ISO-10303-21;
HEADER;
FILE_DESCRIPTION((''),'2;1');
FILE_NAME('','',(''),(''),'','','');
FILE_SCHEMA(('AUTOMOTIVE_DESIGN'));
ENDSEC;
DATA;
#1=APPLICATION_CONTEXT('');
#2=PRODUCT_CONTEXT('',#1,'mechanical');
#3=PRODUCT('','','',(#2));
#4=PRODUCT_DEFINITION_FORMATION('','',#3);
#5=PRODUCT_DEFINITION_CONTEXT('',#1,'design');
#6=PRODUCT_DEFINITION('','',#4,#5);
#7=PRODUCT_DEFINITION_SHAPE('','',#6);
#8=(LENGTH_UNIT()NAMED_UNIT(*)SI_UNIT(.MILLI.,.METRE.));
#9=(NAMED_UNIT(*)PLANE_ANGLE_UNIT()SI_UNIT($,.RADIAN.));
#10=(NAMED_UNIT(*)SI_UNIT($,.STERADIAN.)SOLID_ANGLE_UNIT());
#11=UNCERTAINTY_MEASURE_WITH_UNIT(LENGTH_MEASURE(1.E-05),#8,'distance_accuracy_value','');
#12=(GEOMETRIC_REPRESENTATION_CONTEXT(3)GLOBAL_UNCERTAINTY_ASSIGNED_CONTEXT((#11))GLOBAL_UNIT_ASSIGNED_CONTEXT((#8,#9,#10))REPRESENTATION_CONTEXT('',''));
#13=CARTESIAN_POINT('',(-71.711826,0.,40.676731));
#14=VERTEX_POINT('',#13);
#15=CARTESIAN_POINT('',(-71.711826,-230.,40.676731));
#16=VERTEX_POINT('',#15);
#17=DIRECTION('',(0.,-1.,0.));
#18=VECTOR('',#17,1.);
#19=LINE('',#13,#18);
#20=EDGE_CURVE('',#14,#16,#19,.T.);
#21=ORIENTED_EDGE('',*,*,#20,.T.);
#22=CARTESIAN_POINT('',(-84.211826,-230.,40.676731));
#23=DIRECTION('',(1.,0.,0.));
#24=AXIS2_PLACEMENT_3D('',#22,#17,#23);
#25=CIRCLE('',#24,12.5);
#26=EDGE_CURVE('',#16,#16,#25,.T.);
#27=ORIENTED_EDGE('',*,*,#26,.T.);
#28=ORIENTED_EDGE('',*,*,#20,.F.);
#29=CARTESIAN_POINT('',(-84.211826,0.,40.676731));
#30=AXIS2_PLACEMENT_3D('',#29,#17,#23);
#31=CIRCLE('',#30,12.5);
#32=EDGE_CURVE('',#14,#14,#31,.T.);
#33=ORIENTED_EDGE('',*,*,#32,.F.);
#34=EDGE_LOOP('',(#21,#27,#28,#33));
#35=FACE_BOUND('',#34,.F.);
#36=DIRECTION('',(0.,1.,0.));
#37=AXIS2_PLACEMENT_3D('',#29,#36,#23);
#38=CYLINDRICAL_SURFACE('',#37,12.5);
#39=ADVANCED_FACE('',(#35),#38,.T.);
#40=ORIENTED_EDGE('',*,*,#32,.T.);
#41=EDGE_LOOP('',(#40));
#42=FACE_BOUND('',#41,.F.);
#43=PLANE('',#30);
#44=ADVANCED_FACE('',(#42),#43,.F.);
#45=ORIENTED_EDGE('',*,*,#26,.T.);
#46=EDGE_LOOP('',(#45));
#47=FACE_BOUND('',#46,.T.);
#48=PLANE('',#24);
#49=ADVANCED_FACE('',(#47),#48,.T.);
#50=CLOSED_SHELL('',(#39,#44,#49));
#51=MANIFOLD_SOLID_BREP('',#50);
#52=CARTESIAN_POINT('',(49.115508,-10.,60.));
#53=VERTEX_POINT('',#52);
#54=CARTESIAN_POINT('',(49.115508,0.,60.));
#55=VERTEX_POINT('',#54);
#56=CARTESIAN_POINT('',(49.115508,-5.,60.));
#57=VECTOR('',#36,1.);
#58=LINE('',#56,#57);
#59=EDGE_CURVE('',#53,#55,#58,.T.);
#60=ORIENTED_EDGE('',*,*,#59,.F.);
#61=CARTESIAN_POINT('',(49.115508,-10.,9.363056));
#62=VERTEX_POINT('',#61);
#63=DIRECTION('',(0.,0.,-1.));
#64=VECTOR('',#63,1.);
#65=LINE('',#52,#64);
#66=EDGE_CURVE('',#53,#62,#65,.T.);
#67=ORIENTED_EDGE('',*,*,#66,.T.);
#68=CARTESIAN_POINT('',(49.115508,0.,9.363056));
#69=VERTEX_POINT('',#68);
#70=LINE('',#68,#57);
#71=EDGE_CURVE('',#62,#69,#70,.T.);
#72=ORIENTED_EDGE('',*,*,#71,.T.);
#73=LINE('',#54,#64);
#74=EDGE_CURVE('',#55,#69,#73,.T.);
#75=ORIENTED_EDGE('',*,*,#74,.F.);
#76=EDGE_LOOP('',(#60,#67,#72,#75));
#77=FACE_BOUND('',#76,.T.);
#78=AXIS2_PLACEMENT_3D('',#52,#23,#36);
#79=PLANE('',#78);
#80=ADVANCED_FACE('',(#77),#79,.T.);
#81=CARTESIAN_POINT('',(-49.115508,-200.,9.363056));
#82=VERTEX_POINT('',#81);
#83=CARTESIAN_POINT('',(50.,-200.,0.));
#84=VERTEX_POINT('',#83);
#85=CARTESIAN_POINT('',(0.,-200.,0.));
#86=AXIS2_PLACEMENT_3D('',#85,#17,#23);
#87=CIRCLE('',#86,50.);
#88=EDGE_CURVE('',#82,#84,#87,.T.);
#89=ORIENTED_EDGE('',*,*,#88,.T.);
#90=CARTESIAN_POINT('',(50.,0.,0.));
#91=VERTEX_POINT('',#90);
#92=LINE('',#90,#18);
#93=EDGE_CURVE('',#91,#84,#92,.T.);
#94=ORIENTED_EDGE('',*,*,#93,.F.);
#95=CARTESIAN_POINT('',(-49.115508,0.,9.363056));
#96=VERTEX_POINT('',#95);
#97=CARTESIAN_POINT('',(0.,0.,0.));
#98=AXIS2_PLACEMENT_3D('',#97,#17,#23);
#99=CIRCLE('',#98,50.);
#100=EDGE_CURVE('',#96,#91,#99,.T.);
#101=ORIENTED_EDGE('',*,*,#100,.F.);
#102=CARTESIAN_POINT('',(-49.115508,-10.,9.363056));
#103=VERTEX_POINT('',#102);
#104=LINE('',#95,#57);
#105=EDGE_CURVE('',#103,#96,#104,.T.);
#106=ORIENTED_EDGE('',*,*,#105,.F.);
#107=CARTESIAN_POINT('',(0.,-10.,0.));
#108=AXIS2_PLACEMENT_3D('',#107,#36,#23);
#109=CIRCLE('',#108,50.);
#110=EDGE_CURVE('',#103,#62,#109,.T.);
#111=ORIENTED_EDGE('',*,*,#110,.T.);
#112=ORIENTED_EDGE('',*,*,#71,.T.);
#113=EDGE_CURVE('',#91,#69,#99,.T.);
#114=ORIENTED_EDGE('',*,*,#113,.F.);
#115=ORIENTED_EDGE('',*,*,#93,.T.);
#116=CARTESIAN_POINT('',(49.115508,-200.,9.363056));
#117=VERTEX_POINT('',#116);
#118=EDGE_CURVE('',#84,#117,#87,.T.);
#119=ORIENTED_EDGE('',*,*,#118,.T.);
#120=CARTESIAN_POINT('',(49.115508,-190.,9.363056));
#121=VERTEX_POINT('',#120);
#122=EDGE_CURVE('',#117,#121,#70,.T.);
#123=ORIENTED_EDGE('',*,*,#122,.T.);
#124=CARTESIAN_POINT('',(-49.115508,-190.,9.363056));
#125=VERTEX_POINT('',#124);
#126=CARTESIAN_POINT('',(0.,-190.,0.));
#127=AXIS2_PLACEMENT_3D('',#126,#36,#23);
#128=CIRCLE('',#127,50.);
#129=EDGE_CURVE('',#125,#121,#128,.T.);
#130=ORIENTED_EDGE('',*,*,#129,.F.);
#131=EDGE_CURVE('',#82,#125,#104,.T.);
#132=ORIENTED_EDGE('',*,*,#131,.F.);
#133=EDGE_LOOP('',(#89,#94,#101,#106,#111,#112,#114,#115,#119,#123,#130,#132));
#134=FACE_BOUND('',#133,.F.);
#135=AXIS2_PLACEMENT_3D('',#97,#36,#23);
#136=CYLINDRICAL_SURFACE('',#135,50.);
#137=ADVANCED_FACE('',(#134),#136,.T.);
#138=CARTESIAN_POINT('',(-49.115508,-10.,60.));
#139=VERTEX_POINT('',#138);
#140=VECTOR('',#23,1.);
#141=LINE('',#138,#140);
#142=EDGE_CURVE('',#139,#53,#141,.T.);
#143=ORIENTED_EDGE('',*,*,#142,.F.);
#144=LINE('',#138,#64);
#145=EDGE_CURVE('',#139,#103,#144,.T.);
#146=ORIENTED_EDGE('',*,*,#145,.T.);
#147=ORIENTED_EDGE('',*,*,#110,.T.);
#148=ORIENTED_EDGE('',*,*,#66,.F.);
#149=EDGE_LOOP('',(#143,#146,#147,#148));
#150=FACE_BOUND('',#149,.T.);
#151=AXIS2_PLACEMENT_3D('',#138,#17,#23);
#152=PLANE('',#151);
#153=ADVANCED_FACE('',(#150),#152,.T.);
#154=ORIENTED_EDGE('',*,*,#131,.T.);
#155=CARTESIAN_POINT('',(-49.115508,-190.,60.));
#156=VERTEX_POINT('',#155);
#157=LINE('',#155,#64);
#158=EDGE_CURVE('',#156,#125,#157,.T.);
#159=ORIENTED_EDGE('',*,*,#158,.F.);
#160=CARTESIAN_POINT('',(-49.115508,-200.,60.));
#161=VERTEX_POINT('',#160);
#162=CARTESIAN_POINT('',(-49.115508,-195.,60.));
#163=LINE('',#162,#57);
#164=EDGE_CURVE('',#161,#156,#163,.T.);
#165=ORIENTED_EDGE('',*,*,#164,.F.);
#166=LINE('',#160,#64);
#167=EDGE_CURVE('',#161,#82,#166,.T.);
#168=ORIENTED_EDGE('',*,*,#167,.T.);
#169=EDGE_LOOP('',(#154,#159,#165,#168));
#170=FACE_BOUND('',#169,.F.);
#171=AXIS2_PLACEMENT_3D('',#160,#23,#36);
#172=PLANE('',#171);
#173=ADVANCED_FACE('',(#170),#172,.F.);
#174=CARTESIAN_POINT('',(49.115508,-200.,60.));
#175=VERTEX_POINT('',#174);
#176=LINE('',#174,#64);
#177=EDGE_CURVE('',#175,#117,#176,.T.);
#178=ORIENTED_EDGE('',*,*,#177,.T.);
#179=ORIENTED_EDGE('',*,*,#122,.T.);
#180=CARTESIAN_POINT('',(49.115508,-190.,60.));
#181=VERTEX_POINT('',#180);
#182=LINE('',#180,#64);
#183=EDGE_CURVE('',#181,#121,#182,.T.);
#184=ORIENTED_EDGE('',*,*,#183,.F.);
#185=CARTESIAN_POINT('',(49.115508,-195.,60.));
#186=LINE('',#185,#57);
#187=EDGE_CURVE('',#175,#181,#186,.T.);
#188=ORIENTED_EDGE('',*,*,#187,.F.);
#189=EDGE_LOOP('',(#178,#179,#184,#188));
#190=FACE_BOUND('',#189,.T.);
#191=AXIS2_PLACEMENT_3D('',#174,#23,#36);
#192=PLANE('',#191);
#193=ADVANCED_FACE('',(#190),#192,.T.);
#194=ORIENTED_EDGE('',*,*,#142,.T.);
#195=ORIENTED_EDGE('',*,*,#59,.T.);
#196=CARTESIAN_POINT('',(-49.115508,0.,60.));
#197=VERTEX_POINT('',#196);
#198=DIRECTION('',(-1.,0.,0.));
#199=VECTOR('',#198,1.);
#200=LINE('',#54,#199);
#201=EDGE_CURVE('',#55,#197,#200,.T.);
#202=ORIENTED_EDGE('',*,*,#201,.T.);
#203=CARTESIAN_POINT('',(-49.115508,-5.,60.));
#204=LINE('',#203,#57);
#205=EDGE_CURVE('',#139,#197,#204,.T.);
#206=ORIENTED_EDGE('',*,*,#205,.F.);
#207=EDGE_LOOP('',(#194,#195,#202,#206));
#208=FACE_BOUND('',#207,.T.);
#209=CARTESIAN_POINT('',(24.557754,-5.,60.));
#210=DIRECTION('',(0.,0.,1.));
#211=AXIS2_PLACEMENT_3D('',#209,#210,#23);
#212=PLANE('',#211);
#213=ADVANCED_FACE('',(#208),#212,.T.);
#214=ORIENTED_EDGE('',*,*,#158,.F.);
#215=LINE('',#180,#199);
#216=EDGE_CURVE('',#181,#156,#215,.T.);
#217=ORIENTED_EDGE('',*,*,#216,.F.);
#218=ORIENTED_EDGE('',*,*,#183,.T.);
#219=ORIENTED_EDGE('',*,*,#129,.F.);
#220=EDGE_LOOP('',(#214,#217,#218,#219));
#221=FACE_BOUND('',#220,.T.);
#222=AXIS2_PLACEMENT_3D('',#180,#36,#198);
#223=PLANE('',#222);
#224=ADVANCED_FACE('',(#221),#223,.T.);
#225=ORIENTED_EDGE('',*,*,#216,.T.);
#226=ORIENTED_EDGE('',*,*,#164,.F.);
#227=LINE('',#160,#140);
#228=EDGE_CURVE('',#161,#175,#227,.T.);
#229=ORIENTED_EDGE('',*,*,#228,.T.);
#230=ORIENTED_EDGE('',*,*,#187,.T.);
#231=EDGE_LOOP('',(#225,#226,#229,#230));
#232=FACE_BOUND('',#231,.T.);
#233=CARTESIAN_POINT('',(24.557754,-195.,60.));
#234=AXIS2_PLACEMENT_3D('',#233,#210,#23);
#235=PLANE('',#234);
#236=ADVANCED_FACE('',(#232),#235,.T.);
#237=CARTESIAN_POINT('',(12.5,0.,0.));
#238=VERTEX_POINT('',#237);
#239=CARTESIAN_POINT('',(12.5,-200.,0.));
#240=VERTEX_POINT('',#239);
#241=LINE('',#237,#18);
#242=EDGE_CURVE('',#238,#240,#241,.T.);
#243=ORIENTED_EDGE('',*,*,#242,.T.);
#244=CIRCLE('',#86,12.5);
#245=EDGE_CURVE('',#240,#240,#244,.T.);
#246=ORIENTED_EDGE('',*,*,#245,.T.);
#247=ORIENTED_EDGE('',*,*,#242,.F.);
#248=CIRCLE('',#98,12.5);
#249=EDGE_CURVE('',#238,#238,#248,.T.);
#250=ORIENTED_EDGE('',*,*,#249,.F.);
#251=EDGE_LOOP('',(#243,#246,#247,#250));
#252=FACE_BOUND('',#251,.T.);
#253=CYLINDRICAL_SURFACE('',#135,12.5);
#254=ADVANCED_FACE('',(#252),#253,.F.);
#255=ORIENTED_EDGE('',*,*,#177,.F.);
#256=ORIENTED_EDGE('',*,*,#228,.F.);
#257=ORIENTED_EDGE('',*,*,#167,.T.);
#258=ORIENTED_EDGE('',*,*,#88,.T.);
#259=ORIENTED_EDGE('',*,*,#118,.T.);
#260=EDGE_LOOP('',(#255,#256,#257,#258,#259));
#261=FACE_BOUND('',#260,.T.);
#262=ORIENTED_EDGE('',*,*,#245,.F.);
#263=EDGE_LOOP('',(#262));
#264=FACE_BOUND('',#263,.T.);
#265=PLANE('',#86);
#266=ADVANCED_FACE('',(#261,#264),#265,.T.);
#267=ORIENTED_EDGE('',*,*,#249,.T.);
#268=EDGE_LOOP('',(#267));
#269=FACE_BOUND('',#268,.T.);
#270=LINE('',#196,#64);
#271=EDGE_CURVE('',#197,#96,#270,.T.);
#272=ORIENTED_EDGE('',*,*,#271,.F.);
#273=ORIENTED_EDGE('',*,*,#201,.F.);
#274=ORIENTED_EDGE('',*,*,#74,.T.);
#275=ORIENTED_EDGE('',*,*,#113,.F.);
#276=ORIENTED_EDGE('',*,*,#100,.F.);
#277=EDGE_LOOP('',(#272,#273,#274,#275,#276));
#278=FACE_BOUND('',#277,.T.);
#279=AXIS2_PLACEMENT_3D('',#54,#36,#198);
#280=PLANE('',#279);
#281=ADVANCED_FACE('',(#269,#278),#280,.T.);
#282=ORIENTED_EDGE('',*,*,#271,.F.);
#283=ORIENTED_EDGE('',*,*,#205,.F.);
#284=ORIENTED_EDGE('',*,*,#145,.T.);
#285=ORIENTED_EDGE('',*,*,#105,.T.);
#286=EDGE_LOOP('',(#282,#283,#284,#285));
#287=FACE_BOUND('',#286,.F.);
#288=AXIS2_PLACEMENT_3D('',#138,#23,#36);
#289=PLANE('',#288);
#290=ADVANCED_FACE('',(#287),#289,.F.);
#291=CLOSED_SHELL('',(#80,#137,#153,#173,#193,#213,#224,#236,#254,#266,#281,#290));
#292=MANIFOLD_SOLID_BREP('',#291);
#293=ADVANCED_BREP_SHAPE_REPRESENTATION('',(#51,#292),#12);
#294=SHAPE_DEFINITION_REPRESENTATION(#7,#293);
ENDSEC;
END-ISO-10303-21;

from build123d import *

# Parameters (mm, degrees)
F0_R     = 12.5
F1_DEPTH = 230
F0_R_2   = 50
F2_DEPTH = 200
F4_W     = 49.115509
F4_H     = 10
F5_DEPTH = 55
F6_DEPTH = 264


with BuildPart() as f1:
    # F0 (on Front) → F1 (new body)
    with BuildSketch(Plane.XZ):
        with Locations((-84.211826, 40.676731)):
            Circle(F0_R)
    extrude(amount=F1_DEPTH)


with BuildPart() as f2:
    # F0 (on Front) → F2 (new body)
    with BuildSketch(Plane.XZ):
        Circle(F0_R_2)
        Circle(F0_R, mode=Mode.SUBTRACT)
    extrude(amount=F2_DEPTH)

    # F4 (on offset) → F5 (join)
    with BuildSketch(Plane.XY.offset(60)):
        with Locations((24.557754, -5)):
            Rectangle(F4_W, F4_H)
        with Locations((24.557754, -195)):
            Rectangle(F4_W, F4_H)
        with Locations((-24.557754, -195)):
            Rectangle(F4_W, F4_H)
        with Locations((-24.557754, -5)):
            Rectangle(F4_W, F4_H)
    extrude(amount=-F5_DEPTH)

    # F0 (on Front) → F6 (cut)
    with BuildSketch(Plane.XZ):
        Circle(F0_R)
    extrude(amount=F6_DEPTH, mode=Mode.SUBTRACT)


solid = Compound([f1.part, f2.part])
